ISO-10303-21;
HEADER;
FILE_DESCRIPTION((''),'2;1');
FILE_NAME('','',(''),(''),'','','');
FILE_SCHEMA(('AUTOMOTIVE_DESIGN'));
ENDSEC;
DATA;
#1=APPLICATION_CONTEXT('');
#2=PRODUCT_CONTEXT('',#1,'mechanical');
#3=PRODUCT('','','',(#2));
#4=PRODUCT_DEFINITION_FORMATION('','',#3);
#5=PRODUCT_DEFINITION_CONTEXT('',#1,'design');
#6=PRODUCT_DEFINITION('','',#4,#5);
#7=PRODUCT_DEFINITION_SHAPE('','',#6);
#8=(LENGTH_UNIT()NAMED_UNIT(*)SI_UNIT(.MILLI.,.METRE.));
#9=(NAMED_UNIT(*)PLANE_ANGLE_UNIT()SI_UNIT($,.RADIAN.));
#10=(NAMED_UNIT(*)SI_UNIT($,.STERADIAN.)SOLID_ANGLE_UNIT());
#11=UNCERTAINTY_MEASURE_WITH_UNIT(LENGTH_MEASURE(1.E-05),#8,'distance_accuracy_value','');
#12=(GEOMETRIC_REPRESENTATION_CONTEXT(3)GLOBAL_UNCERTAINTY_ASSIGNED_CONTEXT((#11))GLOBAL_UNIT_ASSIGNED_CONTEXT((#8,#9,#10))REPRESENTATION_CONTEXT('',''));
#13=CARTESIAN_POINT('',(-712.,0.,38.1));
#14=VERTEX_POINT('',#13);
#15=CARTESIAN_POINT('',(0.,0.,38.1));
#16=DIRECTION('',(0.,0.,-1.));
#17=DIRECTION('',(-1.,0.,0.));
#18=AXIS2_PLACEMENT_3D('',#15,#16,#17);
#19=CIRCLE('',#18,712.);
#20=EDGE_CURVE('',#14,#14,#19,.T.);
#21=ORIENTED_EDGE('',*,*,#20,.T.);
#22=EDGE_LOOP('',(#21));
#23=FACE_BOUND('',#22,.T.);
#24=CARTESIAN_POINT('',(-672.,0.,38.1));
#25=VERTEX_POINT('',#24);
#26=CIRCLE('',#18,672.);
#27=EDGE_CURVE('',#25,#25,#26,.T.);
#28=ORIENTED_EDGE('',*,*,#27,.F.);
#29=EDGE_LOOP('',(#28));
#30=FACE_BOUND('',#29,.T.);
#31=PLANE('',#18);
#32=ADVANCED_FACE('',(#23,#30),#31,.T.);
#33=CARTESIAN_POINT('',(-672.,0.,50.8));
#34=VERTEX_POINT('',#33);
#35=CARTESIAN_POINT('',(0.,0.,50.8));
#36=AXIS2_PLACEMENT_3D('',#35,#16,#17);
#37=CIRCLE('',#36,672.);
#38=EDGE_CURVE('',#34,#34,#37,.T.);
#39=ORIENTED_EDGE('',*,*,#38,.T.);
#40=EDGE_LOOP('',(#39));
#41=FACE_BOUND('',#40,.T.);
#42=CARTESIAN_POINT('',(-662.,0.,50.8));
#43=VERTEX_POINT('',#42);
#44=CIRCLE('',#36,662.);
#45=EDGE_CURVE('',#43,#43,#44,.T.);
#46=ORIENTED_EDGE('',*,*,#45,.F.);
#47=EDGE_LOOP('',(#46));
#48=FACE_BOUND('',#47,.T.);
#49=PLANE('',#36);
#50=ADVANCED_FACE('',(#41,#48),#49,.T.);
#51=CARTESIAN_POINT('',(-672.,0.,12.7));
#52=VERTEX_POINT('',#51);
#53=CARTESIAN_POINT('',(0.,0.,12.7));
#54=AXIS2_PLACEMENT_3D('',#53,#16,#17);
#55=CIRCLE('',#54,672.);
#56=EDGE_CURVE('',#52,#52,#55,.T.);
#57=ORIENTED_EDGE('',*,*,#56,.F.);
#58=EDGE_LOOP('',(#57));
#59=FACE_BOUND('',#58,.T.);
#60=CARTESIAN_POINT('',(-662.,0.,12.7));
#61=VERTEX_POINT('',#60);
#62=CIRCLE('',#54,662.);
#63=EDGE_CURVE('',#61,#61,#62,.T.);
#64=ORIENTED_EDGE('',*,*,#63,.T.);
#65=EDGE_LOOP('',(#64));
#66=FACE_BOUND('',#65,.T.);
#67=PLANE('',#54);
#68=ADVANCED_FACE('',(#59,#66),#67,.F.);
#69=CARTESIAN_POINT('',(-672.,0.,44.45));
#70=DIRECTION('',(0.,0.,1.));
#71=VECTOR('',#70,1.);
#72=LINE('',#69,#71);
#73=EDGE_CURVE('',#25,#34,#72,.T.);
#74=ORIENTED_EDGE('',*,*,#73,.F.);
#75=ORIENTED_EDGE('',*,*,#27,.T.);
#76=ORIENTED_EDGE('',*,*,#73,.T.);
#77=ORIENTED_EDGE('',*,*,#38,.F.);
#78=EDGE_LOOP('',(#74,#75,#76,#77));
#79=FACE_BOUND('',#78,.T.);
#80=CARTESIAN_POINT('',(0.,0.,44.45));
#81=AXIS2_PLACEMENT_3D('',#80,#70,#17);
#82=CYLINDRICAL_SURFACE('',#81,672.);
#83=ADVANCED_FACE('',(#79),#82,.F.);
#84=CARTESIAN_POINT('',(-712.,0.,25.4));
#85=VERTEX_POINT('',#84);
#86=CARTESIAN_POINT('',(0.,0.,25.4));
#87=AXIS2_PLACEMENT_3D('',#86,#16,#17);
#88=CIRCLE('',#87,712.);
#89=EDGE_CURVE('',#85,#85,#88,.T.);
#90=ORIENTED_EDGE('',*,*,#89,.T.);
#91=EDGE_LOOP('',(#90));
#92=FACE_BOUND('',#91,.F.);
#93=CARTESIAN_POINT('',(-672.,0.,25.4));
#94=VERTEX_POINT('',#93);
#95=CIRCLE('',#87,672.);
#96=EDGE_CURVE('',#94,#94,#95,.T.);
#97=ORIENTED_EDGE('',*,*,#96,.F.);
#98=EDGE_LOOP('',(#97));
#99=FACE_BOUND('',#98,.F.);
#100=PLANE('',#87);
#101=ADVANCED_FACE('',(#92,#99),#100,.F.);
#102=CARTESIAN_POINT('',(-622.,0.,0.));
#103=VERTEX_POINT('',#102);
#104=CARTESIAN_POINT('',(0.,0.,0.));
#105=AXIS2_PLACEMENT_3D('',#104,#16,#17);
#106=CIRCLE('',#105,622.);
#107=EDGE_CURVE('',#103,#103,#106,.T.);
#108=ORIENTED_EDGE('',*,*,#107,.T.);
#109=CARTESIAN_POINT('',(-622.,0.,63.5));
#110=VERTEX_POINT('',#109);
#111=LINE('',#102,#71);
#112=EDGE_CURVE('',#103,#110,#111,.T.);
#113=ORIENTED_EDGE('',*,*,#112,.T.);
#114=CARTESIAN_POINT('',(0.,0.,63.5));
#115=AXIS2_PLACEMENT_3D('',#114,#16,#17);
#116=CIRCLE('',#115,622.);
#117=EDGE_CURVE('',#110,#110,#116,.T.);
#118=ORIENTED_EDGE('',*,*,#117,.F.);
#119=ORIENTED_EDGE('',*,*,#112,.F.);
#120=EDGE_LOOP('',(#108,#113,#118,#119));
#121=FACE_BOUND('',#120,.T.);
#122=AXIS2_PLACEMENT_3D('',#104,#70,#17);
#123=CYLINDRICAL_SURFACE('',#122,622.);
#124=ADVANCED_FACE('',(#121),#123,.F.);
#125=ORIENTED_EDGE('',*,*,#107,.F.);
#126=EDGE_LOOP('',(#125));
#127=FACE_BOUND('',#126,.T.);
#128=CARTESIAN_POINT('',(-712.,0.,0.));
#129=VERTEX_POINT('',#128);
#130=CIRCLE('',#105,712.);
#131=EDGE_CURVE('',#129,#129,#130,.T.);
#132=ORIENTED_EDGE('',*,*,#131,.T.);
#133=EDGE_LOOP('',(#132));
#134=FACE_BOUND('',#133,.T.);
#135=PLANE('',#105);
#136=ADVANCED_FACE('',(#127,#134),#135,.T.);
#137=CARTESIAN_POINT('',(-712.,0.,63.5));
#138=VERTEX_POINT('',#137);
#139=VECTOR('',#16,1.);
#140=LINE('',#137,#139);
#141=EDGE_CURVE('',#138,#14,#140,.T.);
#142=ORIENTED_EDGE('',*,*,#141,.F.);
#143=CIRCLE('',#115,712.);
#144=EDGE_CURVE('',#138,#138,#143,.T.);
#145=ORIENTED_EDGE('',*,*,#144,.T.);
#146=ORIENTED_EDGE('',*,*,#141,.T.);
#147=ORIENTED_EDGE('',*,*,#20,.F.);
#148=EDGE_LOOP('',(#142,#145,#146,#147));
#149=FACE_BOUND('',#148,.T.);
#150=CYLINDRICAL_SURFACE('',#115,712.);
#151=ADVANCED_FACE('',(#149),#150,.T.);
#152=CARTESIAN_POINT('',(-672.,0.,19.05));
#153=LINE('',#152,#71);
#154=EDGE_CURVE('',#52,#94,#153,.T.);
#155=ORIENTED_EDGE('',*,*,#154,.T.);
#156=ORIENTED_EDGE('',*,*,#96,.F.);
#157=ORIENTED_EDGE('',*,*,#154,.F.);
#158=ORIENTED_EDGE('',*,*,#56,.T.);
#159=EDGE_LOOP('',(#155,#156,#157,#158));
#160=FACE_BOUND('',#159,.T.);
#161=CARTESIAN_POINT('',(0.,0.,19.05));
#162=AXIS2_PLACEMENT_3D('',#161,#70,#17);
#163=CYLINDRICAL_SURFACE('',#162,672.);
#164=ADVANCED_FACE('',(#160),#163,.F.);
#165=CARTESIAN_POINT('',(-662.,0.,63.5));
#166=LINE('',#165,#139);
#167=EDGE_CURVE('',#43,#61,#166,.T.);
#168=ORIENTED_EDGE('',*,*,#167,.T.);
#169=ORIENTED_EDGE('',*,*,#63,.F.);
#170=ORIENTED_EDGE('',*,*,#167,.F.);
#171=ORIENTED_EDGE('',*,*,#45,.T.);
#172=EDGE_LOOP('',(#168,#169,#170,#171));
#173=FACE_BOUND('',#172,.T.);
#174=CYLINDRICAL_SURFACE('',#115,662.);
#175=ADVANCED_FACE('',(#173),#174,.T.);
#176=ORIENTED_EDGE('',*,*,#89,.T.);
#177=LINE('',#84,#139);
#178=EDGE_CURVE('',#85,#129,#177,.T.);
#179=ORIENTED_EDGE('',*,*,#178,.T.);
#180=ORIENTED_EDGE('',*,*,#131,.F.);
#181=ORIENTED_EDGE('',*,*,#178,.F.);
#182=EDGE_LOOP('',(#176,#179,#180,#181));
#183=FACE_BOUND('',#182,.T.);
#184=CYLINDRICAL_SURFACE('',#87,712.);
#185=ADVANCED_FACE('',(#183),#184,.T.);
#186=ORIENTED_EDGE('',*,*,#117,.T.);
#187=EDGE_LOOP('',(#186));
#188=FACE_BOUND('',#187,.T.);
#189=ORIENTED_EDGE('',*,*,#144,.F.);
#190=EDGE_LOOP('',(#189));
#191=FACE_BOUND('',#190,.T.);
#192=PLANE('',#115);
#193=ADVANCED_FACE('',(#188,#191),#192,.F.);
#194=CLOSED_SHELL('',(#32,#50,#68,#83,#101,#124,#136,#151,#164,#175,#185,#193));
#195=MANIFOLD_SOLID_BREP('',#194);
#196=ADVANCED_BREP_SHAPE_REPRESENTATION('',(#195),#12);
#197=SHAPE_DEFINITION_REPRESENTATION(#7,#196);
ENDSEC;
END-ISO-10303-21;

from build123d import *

# Parameters (mm, degrees)
F0_W = 40
F0_H = 12.7


with BuildPart() as f1:
    # F0 (on Front) → F1 (revolve)
    with BuildSketch(Plane.XZ):
        Polygon((-622, 0), (-622, 63.5), (-662, 63.5), (-662, 50.8), (-662, 12.7), (-662, 0), align=None)
    revolve(axis=Axis((0, 0, 31.75), (0, 0, -1)))

    # F0 (on Front) → F2 (revolve)
    with BuildSketch(Plane.XZ):
        Polygon((-662, 50.8), (-662, 63.5), (-712, 63.5), (-712, 50.8), (-672, 50.8), align=None)
        with Locations((-692, 44.45)):
            Rectangle(F0_W, F0_H)
    revolve(axis=Axis((0, 0, 31.75), (0, 0, -1)))

    # F0 (on Front) → F3 (revolve)
    with BuildSketch(Plane.XZ):
        with Locations((-692, 19.05)):
            Rectangle(F0_W, F0_H)
        Polygon((-712, 0), (-662, 0), (-662, 12.7), (-672, 12.7), (-712, 12.7), align=None)
    revolve(axis=Axis((0, 0, 31.75), (0, 0, -1)))


solid = f1.part
